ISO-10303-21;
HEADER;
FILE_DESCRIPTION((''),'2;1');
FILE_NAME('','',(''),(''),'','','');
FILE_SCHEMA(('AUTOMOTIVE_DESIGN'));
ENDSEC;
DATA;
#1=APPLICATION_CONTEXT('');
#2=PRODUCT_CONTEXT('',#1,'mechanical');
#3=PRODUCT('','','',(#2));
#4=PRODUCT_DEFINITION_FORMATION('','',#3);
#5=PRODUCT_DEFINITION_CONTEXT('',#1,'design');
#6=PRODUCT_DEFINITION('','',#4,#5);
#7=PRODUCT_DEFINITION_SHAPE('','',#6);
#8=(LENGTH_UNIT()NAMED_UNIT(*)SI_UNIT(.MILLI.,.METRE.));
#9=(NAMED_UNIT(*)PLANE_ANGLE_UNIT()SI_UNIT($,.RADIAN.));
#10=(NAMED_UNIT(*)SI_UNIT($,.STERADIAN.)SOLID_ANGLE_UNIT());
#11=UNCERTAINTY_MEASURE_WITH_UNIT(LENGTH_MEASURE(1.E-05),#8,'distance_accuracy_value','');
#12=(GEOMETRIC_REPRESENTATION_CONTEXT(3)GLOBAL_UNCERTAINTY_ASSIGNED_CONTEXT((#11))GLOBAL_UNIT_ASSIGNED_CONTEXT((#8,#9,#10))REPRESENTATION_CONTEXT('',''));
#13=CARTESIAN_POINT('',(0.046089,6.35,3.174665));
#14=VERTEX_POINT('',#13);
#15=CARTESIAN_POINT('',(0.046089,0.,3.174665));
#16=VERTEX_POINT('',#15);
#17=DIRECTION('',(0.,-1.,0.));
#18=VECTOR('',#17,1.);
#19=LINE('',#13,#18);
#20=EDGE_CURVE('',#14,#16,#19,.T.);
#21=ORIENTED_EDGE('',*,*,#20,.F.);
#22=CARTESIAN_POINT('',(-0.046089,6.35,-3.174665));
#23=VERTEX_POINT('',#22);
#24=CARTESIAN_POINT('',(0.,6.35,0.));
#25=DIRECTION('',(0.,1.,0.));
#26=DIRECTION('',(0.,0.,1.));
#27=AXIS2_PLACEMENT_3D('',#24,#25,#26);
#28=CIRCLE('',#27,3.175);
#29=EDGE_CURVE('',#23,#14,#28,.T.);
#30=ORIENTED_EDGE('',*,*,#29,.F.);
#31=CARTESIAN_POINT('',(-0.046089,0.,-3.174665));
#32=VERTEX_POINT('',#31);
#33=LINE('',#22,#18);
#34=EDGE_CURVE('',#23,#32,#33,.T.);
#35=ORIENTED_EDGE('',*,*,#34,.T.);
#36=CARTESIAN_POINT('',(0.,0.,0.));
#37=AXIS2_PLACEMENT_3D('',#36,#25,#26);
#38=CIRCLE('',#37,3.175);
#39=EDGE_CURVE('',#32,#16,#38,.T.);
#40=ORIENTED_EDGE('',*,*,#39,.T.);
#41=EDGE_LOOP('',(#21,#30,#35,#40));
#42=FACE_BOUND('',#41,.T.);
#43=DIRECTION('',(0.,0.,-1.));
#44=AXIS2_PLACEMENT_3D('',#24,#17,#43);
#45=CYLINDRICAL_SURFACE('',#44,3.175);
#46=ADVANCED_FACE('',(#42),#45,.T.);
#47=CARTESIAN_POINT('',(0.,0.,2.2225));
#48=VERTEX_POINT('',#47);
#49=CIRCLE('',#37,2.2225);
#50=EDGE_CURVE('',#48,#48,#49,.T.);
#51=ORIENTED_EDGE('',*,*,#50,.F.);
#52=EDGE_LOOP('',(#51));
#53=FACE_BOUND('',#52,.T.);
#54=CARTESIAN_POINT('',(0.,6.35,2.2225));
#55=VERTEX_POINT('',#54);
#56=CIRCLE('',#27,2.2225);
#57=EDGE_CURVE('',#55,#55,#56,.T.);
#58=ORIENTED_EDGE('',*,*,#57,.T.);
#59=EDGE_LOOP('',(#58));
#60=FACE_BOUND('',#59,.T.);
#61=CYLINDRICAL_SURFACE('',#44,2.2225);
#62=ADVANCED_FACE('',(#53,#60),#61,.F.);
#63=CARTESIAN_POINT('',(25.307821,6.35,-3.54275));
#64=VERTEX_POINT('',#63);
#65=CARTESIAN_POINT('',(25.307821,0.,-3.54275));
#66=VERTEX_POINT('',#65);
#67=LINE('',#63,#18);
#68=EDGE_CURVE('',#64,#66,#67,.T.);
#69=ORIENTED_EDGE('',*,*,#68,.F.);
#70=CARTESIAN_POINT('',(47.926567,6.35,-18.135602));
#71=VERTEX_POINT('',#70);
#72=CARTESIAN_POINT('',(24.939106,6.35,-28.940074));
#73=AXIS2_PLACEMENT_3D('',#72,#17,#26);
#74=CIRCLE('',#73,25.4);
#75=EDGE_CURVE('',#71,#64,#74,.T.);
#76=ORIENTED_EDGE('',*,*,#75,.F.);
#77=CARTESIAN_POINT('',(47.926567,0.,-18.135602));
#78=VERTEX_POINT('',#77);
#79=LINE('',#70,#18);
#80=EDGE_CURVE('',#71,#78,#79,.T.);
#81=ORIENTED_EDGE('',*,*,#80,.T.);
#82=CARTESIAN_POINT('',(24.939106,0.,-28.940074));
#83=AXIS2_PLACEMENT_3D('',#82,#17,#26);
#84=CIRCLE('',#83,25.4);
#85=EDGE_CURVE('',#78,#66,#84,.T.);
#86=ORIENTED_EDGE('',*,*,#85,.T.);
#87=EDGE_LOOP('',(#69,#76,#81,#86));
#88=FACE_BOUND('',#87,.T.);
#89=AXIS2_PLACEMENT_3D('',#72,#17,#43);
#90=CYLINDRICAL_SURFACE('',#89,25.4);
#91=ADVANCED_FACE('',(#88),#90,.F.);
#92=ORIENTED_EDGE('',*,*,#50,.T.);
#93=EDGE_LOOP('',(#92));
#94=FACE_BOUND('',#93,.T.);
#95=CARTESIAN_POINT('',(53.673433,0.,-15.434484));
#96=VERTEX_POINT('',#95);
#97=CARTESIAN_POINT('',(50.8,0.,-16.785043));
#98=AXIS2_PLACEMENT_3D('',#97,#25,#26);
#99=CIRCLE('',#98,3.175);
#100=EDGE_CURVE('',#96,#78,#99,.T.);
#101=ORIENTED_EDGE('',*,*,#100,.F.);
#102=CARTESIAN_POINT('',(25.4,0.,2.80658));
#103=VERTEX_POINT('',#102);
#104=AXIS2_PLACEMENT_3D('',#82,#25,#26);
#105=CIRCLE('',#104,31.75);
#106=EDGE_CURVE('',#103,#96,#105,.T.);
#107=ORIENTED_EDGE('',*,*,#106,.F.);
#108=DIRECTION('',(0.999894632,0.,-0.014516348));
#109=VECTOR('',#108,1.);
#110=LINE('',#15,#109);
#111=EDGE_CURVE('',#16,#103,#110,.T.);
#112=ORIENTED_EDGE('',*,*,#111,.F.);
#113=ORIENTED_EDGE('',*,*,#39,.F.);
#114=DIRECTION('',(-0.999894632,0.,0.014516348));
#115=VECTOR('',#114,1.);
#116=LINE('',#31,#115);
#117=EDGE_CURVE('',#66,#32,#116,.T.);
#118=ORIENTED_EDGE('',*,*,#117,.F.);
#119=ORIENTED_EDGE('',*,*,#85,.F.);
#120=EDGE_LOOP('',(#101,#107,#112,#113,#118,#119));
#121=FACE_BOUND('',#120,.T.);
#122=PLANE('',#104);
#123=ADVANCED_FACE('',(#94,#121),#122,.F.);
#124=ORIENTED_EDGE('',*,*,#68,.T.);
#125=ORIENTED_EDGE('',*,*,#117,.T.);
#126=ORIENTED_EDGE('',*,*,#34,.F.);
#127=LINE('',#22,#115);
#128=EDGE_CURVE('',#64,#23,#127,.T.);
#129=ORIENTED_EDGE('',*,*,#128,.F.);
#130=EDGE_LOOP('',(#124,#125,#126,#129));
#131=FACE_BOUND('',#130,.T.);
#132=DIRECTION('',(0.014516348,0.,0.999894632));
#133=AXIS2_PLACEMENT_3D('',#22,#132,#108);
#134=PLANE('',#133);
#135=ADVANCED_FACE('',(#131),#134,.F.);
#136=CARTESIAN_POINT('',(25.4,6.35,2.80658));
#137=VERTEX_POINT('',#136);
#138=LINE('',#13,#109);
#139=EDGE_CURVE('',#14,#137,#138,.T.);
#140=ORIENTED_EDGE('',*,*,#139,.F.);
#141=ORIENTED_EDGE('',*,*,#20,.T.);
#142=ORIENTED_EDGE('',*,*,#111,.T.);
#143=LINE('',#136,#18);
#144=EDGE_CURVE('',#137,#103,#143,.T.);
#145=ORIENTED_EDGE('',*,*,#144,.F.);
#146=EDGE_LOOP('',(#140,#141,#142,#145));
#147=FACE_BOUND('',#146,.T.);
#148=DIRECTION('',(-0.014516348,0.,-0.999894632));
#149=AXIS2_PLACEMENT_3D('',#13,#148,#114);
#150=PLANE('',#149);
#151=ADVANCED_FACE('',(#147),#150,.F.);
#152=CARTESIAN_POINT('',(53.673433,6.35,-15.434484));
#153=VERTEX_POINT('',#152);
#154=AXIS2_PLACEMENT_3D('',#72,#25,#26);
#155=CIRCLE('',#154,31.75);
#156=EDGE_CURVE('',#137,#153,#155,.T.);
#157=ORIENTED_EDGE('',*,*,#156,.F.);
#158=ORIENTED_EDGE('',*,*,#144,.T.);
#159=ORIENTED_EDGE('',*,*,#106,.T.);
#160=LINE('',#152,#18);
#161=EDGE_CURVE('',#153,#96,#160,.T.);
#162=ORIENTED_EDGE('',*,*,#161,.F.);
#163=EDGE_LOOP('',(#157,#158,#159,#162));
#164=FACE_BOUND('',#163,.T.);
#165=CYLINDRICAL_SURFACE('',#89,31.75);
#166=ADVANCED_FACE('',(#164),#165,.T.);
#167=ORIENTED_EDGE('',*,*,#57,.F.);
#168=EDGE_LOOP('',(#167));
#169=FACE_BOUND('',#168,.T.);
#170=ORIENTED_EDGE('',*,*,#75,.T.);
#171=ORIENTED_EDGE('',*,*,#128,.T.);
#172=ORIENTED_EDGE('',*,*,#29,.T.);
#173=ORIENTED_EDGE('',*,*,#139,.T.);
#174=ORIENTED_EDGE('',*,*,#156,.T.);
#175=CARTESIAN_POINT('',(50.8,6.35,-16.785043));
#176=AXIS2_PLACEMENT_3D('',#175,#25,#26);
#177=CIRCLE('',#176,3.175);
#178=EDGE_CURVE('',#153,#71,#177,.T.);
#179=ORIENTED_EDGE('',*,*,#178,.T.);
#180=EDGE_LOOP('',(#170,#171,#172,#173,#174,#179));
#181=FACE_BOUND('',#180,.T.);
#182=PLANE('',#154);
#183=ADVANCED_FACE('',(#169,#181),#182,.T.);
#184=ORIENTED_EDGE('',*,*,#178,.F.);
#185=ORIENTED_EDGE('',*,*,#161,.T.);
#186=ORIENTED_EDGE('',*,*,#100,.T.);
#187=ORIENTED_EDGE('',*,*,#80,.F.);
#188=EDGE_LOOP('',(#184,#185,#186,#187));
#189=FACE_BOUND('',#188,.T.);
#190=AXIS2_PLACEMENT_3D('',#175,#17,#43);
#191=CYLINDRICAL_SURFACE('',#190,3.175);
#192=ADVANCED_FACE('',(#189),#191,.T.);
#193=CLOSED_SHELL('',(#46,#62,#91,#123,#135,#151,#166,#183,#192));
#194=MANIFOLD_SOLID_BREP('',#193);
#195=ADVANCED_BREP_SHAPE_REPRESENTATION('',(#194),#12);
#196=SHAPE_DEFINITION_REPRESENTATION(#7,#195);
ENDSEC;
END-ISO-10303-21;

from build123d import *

# Parameters (mm, degrees)
SKETCH1_R           = 2.2225
BOSS_EXTRUDE1_DEPTH = 6.35


with BuildPart() as part:
    # Sketch1 → Boss-Extrude1 (new body)
    with BuildSketch(Plane(origin=(0, 0, 0), x_dir=(1, 0, 0), z_dir=(0, 1, 0))):
        with BuildLine():
            Line((-0.046089406, 3.174665457), (25.307821187, 3.542750442))
            ThreePointArc((25.307821187, 3.542750442), (38.709203085, 7.5965874), (47.926567326, 18.135601931))
            ThreePointArc((47.926567326, 18.135601931), (52.150559021, 19.658475583), (53.673432674, 15.434483888))
            ThreePointArc((53.673432674, 15.434483888), (42.151727371, 2.260715725), (25.4, -2.806580473))
            Line((25.4, -2.806580473), (0.046089406, -3.174665457))
            ThreePointArc((0.046089406, -3.174665457), (-3.174665457, -0.046089406), (-0.046089406, 3.174665457))
        make_face()
        with Locations(Location((0, 0, 0), (0, 0, 270))):
            Circle(SKETCH1_R, mode=Mode.SUBTRACT)
    extrude(amount=BOSS_EXTRUDE1_DEPTH)


solid = part.part
